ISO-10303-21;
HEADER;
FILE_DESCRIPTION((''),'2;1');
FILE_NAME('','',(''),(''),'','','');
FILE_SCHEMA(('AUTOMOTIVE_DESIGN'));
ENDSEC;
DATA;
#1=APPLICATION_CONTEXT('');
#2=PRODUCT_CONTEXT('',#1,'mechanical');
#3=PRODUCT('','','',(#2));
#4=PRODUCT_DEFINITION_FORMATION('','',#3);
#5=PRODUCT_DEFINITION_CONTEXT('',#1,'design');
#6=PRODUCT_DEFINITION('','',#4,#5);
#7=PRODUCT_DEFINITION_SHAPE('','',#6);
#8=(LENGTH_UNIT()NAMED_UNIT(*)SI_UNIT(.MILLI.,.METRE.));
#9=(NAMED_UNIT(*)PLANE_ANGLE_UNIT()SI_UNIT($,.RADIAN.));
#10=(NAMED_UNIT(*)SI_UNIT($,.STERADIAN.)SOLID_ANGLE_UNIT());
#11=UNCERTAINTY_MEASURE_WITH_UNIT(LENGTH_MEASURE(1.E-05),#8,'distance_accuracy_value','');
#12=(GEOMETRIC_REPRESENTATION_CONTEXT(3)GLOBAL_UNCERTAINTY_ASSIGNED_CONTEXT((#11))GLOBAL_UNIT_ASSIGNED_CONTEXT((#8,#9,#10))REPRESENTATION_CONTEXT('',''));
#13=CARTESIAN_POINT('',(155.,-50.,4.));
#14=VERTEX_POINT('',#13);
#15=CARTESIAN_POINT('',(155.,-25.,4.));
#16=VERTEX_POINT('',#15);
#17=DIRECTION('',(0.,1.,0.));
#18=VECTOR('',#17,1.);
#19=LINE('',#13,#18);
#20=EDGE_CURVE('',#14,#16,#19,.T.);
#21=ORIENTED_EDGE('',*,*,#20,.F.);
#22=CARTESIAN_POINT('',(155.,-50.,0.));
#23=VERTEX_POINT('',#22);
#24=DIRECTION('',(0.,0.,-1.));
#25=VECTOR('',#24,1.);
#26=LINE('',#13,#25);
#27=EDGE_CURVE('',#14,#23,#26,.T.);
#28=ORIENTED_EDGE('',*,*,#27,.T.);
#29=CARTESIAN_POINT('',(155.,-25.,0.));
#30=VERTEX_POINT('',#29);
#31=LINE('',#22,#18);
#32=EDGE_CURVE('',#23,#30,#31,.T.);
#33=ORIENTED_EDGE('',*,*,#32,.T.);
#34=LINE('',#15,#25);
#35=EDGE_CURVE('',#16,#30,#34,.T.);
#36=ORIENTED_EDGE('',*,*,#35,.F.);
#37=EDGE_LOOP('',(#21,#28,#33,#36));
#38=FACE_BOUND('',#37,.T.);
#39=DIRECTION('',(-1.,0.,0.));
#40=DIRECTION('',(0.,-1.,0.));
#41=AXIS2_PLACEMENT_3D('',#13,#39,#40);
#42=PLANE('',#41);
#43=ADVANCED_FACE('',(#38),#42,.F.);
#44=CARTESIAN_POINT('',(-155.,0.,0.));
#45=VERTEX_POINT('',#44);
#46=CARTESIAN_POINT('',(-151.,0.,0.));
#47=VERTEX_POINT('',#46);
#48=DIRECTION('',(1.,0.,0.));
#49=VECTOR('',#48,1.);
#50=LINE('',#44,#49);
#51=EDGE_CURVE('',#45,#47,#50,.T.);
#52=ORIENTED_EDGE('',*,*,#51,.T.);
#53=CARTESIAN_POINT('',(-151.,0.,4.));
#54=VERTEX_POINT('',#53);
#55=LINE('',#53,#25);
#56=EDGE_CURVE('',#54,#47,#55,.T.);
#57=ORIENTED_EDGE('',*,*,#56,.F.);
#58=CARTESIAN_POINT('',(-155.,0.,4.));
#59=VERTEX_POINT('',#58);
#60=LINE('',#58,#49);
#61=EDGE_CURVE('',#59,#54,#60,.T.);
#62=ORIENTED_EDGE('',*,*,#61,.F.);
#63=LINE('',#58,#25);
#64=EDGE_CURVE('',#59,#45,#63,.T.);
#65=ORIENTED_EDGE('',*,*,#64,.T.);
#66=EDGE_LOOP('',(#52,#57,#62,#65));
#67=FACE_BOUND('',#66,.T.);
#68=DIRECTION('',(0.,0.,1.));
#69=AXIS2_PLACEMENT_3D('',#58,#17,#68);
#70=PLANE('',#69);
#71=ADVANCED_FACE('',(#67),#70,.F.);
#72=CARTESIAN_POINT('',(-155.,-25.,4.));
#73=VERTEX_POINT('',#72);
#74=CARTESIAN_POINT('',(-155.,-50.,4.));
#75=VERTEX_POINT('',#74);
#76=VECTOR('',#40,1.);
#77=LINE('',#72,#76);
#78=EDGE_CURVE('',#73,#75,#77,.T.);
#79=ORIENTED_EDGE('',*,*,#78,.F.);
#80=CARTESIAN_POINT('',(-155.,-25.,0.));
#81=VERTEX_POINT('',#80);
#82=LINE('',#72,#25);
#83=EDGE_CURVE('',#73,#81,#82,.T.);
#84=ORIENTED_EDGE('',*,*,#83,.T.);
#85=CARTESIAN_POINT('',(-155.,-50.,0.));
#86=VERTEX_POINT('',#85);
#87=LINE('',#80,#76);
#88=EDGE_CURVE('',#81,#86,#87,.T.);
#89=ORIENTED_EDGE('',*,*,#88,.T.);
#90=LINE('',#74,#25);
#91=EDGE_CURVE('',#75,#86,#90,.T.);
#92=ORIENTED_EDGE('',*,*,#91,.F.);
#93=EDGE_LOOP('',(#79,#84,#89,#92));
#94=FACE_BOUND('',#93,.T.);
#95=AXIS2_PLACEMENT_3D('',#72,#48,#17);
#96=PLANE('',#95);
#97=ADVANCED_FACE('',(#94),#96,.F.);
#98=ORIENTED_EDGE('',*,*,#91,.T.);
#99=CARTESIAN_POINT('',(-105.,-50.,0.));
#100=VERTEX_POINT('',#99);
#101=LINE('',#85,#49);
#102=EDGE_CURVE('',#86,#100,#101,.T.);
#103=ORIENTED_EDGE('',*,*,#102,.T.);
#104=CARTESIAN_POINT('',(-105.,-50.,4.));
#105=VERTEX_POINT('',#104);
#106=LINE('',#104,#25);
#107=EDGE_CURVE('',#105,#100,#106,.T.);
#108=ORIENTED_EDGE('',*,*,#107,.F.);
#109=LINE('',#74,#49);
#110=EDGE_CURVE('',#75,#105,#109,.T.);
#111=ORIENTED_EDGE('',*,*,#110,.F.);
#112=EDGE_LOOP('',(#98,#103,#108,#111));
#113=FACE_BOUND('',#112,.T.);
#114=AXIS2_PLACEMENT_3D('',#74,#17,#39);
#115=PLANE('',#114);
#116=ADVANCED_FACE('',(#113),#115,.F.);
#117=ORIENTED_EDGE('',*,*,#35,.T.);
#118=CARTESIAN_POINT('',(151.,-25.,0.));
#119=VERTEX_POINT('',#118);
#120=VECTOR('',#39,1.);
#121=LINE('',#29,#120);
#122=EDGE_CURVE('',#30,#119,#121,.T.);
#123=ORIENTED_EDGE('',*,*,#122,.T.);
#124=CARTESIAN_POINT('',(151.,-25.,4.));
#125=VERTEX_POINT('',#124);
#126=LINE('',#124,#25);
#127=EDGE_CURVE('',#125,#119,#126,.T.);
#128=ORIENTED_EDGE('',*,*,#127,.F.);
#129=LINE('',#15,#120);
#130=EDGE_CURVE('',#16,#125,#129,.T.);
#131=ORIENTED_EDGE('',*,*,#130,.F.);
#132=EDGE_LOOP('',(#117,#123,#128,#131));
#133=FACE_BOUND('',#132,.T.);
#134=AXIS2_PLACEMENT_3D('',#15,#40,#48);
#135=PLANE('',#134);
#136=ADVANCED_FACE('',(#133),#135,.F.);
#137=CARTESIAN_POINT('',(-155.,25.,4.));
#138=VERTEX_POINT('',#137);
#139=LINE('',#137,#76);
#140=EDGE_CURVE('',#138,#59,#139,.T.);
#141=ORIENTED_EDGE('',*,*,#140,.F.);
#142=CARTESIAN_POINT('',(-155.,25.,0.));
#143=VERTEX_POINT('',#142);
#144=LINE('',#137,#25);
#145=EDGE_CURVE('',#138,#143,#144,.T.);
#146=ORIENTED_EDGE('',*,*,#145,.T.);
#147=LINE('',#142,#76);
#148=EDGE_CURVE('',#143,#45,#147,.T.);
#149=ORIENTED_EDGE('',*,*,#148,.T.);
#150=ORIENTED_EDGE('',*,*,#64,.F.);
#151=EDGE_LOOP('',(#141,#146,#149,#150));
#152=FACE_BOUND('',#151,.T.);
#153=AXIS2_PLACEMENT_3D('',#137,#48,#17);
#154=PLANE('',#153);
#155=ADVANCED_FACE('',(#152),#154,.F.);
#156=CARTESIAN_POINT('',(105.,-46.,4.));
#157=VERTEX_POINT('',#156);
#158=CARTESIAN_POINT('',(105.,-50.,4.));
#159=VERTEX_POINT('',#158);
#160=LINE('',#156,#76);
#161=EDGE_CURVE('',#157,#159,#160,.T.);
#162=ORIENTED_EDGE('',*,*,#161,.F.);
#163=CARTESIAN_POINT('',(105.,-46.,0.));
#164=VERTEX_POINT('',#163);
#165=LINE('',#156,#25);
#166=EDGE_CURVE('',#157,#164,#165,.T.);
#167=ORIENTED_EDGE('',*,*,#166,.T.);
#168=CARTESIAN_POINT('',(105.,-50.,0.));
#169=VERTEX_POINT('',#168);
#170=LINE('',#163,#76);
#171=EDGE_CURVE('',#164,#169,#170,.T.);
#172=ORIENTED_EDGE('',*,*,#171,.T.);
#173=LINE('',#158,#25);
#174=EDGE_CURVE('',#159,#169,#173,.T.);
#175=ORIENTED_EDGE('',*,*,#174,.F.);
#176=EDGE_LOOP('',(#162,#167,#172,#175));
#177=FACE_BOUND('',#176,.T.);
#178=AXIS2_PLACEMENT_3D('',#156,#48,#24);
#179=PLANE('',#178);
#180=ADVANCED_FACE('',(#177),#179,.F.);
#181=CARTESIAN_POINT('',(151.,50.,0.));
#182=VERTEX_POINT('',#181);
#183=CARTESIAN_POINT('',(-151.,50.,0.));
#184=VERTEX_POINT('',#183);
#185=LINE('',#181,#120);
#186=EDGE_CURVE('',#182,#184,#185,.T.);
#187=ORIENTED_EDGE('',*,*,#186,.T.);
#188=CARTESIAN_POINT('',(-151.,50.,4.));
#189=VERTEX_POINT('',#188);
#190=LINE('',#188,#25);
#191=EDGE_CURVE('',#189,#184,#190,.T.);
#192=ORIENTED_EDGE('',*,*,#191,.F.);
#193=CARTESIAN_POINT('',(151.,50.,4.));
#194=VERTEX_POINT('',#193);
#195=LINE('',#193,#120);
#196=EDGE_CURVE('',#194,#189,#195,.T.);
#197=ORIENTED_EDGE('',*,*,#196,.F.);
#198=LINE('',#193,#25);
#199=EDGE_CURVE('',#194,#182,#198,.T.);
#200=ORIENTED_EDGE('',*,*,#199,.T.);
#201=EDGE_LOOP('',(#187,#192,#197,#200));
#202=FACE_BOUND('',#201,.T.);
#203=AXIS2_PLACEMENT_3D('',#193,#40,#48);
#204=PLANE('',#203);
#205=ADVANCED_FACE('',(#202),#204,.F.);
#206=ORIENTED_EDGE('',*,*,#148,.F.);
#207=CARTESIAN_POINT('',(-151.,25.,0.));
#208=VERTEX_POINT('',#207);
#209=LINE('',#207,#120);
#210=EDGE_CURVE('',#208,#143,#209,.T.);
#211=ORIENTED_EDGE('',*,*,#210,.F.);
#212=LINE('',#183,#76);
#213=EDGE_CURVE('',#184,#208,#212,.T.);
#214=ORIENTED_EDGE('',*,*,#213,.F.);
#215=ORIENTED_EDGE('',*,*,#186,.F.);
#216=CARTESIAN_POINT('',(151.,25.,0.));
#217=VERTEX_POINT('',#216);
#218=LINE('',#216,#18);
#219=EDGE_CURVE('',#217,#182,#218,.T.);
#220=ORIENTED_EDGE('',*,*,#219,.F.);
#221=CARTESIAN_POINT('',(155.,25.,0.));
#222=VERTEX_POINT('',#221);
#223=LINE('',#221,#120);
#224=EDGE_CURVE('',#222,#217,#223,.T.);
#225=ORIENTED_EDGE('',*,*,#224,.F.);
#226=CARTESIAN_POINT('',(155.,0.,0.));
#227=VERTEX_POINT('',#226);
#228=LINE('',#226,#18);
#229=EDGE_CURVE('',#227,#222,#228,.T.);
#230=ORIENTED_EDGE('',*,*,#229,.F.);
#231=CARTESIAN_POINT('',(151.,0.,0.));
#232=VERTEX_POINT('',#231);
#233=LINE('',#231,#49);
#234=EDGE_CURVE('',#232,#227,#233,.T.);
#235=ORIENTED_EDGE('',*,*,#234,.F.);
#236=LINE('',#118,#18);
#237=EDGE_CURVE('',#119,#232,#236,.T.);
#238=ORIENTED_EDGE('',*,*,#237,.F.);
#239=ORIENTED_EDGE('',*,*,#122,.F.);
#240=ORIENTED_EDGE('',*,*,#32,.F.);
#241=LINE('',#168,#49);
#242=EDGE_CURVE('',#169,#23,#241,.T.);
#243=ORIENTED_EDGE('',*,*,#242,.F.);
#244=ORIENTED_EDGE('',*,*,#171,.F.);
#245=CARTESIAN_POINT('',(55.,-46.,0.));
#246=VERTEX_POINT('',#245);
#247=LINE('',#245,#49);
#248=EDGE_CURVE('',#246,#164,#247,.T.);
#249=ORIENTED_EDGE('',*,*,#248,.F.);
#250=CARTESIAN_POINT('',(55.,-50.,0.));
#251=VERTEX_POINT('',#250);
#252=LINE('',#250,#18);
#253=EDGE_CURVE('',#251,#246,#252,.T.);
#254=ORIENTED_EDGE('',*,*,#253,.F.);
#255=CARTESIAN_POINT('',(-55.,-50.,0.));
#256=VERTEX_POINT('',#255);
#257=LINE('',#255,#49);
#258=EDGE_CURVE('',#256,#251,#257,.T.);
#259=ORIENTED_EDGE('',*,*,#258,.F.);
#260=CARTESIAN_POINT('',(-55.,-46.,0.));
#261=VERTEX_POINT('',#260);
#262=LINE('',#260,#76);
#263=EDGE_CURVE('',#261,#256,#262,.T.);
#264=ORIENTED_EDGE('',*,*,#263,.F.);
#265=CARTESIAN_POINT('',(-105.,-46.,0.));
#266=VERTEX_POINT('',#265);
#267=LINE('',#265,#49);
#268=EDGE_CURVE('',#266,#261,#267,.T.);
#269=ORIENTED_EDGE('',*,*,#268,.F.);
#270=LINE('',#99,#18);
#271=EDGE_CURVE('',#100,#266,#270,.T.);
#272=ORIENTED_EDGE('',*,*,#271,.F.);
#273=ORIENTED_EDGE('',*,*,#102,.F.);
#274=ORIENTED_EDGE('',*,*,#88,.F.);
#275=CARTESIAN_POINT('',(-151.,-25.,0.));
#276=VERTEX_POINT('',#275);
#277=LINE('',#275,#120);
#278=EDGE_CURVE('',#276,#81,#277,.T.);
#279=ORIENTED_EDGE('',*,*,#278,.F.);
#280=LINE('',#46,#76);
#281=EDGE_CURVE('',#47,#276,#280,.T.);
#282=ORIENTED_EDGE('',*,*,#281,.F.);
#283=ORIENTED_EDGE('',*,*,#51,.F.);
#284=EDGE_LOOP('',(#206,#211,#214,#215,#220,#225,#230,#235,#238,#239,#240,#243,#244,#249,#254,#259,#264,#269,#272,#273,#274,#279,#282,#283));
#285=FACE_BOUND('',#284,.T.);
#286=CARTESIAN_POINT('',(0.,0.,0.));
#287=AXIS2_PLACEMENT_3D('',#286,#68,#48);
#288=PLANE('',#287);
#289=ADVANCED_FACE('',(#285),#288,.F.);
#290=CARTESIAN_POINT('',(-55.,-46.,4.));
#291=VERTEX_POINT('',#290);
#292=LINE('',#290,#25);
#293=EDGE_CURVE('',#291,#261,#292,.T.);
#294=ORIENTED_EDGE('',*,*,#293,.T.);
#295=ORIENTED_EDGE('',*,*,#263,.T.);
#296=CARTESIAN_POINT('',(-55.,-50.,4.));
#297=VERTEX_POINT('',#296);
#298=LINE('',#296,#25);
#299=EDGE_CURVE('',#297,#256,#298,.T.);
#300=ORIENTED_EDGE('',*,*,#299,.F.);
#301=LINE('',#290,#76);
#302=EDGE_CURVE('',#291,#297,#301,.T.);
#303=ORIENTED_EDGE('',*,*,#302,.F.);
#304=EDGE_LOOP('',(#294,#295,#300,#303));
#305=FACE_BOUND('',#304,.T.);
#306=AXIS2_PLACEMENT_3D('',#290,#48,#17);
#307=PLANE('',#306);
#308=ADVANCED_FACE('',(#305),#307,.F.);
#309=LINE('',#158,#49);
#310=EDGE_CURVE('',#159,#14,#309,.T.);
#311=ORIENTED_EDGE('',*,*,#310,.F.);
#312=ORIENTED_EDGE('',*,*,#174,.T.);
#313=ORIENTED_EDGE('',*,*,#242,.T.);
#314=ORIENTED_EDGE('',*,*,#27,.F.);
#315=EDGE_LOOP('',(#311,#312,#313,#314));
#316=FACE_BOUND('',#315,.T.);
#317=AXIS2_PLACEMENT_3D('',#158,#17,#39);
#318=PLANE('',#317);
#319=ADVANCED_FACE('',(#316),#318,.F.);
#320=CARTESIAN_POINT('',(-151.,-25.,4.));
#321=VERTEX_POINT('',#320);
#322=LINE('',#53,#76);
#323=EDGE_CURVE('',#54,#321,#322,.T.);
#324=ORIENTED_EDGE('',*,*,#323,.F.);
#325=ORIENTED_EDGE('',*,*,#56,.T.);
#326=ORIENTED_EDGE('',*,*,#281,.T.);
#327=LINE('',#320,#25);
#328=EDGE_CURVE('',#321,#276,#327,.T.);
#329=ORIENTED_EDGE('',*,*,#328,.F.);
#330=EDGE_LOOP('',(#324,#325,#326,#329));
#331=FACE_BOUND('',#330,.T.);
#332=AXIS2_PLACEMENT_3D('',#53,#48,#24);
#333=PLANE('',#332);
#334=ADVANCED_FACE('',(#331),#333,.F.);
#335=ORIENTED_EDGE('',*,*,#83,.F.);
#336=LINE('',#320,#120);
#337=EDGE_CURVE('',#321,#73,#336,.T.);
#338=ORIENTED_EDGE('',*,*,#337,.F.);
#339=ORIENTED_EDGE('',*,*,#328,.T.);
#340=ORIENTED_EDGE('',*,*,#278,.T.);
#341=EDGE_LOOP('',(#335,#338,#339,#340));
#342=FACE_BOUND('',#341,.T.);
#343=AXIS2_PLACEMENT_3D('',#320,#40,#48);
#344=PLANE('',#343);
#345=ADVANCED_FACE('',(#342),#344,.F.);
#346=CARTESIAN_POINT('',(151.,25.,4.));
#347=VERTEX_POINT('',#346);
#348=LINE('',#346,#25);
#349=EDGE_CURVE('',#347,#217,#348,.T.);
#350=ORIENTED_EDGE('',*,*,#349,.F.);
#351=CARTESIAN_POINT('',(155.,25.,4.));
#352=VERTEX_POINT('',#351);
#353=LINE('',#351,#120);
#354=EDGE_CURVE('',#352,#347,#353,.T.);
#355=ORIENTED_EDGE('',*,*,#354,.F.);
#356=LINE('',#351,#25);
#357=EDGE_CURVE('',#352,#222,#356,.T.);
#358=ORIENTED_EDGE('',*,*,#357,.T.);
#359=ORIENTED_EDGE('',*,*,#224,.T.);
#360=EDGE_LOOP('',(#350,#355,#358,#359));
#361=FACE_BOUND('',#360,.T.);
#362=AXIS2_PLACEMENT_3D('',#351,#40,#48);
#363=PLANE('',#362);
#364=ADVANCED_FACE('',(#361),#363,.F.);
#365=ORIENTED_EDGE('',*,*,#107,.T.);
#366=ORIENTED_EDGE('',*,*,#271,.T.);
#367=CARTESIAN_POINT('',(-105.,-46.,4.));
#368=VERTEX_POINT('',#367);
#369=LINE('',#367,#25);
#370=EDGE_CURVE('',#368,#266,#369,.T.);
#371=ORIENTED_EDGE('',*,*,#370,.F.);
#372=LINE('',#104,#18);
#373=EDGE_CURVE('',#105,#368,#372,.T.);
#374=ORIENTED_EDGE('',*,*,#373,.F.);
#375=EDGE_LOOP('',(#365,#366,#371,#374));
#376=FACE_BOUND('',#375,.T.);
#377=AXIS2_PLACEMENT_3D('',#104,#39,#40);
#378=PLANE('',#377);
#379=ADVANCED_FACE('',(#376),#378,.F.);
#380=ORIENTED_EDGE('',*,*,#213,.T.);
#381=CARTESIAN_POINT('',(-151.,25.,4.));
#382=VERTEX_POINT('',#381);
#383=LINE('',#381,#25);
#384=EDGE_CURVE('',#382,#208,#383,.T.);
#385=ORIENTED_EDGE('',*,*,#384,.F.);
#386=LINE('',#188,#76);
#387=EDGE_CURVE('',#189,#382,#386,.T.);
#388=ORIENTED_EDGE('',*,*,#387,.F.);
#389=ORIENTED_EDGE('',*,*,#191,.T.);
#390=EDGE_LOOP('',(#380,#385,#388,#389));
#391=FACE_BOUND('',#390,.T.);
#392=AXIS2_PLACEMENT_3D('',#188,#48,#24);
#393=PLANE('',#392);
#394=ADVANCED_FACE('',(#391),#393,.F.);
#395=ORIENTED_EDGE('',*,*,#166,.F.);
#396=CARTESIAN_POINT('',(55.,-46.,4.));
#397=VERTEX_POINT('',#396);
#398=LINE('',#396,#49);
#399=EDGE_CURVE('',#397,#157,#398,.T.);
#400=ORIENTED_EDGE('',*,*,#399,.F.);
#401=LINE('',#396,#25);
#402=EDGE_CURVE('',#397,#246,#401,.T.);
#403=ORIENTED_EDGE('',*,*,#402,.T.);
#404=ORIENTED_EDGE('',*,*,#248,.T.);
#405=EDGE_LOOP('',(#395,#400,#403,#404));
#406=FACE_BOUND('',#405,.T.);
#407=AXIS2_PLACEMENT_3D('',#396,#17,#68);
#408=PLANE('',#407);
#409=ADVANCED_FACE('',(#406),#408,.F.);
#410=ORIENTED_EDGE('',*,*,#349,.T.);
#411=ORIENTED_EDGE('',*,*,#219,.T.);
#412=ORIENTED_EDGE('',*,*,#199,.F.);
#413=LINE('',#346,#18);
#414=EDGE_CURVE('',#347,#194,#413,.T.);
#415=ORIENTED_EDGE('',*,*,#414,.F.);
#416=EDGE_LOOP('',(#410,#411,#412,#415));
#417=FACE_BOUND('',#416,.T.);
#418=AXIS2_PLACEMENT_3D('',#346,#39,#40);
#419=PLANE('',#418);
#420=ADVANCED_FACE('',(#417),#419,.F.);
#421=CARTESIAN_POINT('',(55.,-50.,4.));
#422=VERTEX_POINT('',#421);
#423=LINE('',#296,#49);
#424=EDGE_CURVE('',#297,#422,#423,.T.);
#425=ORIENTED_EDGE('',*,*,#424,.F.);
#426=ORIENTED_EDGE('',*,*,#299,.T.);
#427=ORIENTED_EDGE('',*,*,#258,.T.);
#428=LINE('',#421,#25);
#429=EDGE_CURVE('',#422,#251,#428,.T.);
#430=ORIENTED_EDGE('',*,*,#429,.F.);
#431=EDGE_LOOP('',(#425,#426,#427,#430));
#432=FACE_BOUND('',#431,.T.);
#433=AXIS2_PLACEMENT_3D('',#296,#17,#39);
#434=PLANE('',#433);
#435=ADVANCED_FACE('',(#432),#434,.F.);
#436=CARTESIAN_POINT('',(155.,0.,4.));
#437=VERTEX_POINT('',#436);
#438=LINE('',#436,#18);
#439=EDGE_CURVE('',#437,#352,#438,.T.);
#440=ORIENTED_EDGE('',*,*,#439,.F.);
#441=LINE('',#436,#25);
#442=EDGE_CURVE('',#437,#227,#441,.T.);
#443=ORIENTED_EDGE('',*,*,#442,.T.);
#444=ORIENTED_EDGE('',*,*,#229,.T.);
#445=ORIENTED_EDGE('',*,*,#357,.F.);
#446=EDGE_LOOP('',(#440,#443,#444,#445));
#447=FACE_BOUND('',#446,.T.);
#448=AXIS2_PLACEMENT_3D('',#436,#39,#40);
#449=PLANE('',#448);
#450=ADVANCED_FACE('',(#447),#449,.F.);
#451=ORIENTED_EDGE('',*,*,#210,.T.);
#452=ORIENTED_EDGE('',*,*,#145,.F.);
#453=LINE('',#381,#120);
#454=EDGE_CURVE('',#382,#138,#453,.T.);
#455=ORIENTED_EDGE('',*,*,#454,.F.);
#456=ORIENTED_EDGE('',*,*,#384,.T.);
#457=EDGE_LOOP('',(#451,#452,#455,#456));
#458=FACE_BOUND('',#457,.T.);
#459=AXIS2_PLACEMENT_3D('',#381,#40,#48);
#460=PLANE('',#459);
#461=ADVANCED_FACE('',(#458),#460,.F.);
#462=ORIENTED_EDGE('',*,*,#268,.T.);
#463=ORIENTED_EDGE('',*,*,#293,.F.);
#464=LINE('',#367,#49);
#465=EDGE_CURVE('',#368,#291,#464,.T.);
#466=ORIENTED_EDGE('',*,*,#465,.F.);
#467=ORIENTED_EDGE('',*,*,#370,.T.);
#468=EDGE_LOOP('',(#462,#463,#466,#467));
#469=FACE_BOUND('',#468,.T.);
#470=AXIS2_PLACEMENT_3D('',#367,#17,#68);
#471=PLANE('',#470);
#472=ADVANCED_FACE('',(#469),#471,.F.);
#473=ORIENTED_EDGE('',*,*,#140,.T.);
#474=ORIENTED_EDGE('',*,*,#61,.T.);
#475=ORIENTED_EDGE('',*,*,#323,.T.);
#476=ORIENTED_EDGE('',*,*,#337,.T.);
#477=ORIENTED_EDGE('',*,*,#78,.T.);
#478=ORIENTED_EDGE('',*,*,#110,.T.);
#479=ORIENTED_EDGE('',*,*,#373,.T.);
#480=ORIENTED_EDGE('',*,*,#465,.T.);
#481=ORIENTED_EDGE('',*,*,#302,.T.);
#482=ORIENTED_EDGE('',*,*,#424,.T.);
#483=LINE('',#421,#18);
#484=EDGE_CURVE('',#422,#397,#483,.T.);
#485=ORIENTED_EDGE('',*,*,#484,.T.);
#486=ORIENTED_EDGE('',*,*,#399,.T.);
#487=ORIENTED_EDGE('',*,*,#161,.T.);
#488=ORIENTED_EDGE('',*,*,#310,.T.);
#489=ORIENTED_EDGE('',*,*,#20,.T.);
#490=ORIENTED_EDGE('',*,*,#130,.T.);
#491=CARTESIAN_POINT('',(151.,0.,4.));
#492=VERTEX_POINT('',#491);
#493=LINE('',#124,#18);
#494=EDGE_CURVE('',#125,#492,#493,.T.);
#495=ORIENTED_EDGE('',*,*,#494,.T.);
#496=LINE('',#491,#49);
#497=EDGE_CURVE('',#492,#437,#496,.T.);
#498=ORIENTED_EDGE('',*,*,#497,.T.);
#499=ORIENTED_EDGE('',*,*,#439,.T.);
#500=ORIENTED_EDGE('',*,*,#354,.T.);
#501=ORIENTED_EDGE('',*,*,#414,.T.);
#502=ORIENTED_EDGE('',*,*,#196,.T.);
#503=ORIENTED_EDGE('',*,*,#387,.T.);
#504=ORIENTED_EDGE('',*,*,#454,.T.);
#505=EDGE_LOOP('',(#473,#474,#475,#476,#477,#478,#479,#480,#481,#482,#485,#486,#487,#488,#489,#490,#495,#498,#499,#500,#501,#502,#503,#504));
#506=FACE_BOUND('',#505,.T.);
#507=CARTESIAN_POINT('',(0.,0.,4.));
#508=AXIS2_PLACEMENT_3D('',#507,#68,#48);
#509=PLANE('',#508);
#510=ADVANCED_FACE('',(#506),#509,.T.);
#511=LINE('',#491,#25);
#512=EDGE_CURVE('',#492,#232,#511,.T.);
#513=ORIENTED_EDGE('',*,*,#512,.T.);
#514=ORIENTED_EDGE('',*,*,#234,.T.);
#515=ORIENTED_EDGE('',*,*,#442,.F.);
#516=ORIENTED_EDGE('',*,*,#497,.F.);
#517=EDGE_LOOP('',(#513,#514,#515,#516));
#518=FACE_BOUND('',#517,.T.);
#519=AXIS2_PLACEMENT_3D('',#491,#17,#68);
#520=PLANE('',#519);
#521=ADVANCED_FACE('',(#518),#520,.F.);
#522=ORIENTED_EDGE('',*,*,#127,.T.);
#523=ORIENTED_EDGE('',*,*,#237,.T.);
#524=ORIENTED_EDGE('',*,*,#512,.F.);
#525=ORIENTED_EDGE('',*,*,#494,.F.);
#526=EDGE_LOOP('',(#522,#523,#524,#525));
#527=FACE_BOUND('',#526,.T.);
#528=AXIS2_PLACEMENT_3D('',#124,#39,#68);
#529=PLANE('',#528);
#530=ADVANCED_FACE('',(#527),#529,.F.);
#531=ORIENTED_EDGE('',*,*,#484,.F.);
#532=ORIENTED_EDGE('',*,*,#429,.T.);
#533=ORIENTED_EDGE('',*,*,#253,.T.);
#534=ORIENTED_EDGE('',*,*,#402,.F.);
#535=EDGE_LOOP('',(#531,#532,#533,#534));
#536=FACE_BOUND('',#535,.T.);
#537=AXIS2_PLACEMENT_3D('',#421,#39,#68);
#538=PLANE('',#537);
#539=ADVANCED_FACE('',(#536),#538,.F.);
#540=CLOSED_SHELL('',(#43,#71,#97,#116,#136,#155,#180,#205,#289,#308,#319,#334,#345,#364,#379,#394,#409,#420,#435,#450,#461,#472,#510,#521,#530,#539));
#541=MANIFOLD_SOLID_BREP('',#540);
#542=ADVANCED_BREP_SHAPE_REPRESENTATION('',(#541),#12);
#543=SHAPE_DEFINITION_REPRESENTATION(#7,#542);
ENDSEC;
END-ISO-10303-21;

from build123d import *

# Parameters (mm, degrees)
SALIENTE_EXTRUIR1_DEPTH = 4


with BuildPart() as part:
    # Croquis1 → Saliente-Extruir1 (new body)
    with BuildSketch(Plane.XY):
        Polygon((151, 50), (-151, 50), (-151, 25), (-155, 25), (-155, 0), (-151, 0), (-151, -25), (-155, -25), (-155, -50), (-105, -50), (-105, -46), (-55, -46), (-55, -50), (55, -50), (55, -46), (105, -46), (105, -50), (155, -50), (155, -25), (151, -25), (151, 0), (155, 0), (155, 25), (151, 25), align=None)
    extrude(amount=SALIENTE_EXTRUIR1_DEPTH)


solid = part.part
